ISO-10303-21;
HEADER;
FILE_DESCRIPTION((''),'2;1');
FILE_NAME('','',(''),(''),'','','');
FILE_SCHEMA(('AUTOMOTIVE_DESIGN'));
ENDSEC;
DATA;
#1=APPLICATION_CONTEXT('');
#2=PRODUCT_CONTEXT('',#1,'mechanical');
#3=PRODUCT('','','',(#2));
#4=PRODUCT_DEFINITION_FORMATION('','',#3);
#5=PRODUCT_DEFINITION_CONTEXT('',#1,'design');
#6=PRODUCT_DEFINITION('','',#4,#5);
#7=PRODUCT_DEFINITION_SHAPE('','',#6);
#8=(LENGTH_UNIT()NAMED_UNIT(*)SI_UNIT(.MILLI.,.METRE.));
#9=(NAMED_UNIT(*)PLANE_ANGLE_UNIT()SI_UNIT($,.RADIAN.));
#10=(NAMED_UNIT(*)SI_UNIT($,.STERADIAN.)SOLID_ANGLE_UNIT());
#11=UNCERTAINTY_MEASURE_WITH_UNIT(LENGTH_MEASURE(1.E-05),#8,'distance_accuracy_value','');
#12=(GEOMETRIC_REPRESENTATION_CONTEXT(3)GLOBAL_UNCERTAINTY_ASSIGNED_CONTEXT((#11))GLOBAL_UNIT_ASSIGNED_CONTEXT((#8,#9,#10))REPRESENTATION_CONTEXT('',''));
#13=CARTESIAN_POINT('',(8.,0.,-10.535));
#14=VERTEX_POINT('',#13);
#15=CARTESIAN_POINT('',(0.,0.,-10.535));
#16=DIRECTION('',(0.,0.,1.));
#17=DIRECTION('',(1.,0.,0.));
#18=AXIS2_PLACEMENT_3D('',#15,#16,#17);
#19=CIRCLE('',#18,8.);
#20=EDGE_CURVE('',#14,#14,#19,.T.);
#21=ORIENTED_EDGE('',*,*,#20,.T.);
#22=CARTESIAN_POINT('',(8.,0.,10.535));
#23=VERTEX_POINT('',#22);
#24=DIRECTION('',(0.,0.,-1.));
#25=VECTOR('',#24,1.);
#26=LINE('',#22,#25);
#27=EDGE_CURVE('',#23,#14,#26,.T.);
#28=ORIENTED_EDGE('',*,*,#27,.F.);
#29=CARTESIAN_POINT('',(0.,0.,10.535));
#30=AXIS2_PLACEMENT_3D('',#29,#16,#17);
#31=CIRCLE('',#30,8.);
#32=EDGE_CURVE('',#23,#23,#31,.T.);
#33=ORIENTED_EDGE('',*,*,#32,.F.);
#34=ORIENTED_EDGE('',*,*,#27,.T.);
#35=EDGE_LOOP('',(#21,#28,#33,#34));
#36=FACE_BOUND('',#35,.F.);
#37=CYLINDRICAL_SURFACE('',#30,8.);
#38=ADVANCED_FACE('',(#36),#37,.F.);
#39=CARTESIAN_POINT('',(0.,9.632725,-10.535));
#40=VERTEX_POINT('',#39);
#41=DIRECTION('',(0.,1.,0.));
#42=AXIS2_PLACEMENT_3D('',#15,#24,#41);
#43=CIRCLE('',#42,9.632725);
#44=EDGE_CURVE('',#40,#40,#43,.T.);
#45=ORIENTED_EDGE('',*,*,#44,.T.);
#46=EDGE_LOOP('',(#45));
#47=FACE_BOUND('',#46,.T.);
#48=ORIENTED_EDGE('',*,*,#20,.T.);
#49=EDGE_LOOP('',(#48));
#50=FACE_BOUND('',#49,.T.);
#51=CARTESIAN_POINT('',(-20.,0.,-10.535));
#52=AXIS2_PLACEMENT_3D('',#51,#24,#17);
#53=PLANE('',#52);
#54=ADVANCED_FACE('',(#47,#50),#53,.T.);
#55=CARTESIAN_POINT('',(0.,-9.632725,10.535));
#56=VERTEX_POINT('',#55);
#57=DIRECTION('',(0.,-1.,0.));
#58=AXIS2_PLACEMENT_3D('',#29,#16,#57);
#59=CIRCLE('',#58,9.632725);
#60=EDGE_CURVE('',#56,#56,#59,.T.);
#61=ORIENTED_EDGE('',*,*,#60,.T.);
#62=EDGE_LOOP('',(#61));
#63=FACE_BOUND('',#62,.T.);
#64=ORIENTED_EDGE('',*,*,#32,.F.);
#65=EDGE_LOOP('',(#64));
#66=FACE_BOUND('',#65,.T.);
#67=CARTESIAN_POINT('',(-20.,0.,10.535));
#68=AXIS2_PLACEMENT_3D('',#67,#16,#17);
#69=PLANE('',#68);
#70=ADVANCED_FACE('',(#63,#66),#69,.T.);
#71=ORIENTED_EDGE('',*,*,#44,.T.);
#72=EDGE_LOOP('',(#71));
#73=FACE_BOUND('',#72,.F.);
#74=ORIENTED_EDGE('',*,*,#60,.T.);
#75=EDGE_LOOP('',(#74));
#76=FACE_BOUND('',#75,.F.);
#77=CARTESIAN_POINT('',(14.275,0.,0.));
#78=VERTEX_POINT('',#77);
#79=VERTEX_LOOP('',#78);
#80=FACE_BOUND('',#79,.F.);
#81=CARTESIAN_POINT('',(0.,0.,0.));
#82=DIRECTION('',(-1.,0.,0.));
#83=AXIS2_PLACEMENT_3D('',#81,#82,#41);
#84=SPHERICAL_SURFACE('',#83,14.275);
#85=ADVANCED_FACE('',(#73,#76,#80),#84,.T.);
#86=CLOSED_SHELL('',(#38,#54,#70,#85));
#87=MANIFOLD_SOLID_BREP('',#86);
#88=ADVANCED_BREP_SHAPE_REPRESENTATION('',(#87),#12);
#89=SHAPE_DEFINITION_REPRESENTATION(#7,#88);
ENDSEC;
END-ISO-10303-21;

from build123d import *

# Parameters (mm, degrees)
F2_W     = 40
F2_H     = 10
F3_DEPTH = 12.5
F4_R     = 8
F5_DEPTH = 24.811


with BuildPart() as f1:
    # F0 (on Top) → F1 (revolve)
    with BuildSketch(Plane.XY):
        with BuildLine():
            Line((-14.275, 0), (14.275, 0))
            ThreePointArc((14.275, 0), (0, 14.275), (-14.275, 0))
        make_face()
    revolve(axis=Axis((0, 0, 0), (1, 0, 0)))

    # F2 (on Front) → F3 (cut, symmetric)
    with BuildSketch(Plane.XZ):
        with Locations((0, 15.535)):
            Rectangle(F2_W, F2_H)
        with Locations((0, -15.535)):
            Rectangle(F2_W, F2_H)
    extrude(amount=F3_DEPTH, both=True, mode=Mode.SUBTRACT)

    # F4 (on face) → F5 (cut, through all)
    with BuildSketch(Plane.XY.offset(10.535)):
        Circle(F4_R)
    extrude(amount=-F5_DEPTH, mode=Mode.SUBTRACT)


solid = f1.part
